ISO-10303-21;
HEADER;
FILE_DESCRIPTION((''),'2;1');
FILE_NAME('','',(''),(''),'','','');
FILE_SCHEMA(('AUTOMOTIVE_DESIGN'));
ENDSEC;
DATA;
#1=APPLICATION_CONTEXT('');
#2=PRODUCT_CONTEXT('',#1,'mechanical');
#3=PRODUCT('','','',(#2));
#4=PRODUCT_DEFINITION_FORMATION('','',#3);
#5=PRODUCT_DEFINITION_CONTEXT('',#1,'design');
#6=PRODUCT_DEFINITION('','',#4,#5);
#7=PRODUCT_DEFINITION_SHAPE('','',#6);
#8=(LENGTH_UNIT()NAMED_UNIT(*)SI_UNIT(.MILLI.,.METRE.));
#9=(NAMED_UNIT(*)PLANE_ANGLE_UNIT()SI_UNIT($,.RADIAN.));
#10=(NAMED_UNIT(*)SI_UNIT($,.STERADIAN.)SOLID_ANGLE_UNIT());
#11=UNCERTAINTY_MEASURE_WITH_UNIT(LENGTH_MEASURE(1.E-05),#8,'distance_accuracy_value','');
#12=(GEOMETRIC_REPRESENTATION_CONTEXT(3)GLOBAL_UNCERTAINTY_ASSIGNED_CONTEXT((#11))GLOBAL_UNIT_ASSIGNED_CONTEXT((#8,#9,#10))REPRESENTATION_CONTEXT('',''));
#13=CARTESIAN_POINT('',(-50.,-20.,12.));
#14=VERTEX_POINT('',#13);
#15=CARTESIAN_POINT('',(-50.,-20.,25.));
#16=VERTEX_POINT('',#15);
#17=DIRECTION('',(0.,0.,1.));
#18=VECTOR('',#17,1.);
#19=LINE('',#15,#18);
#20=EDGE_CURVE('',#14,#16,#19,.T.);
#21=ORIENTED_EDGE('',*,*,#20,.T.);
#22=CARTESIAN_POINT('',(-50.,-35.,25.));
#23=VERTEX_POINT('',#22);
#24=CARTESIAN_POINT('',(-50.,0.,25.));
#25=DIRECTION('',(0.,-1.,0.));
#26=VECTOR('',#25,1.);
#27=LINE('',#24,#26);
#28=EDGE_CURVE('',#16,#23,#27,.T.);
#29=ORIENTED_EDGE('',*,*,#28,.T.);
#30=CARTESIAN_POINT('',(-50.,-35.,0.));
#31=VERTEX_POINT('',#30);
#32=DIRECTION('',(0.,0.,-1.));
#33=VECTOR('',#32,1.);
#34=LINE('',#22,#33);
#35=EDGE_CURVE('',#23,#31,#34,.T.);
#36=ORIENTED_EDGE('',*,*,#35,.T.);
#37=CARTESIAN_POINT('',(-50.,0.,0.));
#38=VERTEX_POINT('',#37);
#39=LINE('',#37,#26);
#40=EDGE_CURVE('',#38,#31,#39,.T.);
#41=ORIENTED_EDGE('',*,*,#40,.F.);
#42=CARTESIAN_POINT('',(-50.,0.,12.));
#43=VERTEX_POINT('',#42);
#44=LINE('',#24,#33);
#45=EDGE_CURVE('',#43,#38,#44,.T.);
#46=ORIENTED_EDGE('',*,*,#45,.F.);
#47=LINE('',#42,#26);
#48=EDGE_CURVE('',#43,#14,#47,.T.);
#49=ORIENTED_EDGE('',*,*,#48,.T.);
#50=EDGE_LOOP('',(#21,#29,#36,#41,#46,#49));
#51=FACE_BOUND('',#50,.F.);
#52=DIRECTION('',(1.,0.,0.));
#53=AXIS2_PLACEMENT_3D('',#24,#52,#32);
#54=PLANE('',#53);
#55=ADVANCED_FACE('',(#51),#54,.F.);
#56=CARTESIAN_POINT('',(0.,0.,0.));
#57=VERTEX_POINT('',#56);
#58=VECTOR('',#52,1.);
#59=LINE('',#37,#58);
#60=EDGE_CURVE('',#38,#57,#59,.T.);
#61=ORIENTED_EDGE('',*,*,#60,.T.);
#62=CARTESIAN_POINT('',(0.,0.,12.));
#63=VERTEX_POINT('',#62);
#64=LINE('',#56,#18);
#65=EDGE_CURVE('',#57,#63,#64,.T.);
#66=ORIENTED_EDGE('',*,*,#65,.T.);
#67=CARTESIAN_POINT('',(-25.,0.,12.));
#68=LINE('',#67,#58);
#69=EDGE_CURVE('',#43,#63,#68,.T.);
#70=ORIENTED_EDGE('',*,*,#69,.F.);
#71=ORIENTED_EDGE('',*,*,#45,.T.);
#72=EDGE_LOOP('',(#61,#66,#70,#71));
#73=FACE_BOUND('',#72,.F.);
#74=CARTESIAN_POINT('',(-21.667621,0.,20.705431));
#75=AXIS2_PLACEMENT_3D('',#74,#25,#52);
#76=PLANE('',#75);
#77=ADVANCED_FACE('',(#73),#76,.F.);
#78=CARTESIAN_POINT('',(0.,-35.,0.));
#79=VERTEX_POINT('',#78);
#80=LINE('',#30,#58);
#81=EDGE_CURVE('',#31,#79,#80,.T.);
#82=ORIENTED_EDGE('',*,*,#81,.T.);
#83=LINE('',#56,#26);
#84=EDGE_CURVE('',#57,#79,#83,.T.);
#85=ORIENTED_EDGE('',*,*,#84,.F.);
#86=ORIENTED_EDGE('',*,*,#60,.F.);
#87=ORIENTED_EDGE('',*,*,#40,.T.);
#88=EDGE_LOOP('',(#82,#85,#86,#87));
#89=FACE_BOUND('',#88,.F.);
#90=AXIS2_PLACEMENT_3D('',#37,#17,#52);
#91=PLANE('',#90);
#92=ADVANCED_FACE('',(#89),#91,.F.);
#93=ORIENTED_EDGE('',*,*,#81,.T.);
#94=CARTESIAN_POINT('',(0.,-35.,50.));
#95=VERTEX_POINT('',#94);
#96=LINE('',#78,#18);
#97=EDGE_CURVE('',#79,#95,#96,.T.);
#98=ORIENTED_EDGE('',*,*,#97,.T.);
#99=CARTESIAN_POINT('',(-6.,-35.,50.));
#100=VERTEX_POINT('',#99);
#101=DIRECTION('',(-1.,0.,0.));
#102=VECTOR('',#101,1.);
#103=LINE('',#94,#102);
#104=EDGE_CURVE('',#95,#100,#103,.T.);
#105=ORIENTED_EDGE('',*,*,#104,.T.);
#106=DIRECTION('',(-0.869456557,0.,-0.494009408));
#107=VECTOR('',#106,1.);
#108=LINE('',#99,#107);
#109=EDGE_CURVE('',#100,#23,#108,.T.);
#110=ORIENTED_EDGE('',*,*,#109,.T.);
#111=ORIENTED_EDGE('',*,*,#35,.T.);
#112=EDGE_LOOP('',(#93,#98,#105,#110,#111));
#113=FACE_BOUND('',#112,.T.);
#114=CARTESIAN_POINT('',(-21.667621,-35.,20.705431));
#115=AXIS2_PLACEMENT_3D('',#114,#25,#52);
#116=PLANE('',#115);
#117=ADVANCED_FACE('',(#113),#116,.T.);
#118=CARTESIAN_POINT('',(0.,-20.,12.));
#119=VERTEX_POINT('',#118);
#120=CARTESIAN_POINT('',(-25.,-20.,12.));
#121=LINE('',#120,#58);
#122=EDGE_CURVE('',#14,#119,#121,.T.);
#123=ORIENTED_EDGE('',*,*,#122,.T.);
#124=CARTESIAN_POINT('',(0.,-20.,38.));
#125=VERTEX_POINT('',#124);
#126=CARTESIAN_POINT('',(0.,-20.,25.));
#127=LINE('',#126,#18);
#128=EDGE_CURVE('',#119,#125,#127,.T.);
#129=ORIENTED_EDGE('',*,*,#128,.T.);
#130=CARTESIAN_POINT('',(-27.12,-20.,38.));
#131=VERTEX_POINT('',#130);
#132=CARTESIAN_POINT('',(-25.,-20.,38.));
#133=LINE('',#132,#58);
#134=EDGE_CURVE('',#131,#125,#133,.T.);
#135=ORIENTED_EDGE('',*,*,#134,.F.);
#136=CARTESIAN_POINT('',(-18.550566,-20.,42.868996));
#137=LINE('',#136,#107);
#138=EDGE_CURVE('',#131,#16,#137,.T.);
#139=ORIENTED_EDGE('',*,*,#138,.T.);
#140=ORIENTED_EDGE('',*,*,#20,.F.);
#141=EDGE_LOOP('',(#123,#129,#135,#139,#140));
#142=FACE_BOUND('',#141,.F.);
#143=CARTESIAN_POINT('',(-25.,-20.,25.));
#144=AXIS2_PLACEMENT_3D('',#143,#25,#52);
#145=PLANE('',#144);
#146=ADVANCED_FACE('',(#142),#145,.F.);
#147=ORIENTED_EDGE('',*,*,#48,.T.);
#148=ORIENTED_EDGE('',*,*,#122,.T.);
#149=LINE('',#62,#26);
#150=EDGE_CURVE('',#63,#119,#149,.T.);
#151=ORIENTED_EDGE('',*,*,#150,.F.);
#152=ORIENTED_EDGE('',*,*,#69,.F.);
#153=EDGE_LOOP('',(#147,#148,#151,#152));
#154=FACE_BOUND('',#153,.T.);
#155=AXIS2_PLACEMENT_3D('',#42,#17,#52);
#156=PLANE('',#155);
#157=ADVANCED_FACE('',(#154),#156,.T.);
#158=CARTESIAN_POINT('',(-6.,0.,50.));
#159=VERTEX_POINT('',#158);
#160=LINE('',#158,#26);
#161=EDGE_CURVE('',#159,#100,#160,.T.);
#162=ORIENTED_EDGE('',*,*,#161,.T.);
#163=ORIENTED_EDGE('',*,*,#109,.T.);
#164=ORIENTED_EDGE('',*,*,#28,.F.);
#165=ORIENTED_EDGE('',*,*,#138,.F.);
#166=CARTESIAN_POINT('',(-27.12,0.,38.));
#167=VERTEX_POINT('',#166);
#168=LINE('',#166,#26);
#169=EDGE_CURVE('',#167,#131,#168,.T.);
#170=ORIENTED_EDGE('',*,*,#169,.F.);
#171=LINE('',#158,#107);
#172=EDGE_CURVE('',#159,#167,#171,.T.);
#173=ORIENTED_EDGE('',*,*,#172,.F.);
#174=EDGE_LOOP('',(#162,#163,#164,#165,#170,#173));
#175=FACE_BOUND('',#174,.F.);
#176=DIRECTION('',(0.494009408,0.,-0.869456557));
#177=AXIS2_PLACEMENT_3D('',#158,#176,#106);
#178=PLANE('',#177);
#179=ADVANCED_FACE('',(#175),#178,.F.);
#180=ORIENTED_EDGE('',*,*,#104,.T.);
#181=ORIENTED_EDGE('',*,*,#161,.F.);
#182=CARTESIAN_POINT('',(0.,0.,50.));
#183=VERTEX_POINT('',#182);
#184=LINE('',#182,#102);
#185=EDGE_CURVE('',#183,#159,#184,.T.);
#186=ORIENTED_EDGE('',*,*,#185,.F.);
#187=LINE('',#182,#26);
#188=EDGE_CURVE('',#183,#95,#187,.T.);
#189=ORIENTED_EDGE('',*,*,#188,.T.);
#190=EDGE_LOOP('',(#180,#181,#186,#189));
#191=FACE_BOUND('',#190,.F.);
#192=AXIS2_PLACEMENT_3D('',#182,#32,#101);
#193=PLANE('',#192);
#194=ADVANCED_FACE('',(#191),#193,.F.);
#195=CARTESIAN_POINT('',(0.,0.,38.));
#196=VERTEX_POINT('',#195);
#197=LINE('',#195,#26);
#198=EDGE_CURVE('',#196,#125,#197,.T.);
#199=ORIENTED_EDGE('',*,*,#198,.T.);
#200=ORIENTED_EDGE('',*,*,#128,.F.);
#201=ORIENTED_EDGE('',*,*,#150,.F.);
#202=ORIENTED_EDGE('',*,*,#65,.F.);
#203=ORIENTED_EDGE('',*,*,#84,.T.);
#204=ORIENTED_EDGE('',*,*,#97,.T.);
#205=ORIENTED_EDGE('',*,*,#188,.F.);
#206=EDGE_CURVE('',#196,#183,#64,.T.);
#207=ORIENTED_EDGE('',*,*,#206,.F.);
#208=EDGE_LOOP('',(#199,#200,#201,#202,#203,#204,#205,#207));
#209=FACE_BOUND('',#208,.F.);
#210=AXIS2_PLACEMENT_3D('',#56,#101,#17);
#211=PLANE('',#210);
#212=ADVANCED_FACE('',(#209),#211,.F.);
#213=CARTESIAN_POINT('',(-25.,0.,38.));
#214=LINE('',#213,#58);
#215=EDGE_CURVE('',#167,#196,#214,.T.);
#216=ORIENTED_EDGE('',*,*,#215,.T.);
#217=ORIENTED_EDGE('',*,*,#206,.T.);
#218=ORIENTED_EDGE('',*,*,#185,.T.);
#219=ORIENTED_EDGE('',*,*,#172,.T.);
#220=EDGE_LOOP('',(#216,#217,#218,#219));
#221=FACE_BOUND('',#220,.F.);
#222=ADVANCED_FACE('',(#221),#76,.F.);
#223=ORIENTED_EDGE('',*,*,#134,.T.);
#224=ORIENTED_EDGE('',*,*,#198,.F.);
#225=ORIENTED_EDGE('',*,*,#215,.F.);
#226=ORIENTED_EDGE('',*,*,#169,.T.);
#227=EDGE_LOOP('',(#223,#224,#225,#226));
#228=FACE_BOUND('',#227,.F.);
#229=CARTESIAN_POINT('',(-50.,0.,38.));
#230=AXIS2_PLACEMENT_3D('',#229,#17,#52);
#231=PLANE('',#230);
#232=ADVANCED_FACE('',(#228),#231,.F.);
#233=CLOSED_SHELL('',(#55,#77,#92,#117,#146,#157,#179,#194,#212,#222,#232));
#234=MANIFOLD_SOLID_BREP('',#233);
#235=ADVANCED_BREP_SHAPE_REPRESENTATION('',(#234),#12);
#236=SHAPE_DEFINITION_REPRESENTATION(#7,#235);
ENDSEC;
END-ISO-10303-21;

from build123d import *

# Parameters (mm, degrees)
F1_DEPTH = 35
F2_W     = 50
F2_H     = 26
F3_DEPTH = 20


with BuildPart() as f1:
    # F0 (on Front) → F1 (new body)
    with BuildSketch(Plane.XZ):
        Polygon((-50, 0), (0, 0), (0, 50), (-6, 50), (-50, 25), align=None)
    extrude(amount=F1_DEPTH)

    # F2 (on Front) → F3 (cut)
    with BuildSketch(Plane.XZ):
        with Locations((-25, 25)):
            Rectangle(F2_W, F2_H)
    extrude(amount=F3_DEPTH, mode=Mode.SUBTRACT)


solid = f1.part
